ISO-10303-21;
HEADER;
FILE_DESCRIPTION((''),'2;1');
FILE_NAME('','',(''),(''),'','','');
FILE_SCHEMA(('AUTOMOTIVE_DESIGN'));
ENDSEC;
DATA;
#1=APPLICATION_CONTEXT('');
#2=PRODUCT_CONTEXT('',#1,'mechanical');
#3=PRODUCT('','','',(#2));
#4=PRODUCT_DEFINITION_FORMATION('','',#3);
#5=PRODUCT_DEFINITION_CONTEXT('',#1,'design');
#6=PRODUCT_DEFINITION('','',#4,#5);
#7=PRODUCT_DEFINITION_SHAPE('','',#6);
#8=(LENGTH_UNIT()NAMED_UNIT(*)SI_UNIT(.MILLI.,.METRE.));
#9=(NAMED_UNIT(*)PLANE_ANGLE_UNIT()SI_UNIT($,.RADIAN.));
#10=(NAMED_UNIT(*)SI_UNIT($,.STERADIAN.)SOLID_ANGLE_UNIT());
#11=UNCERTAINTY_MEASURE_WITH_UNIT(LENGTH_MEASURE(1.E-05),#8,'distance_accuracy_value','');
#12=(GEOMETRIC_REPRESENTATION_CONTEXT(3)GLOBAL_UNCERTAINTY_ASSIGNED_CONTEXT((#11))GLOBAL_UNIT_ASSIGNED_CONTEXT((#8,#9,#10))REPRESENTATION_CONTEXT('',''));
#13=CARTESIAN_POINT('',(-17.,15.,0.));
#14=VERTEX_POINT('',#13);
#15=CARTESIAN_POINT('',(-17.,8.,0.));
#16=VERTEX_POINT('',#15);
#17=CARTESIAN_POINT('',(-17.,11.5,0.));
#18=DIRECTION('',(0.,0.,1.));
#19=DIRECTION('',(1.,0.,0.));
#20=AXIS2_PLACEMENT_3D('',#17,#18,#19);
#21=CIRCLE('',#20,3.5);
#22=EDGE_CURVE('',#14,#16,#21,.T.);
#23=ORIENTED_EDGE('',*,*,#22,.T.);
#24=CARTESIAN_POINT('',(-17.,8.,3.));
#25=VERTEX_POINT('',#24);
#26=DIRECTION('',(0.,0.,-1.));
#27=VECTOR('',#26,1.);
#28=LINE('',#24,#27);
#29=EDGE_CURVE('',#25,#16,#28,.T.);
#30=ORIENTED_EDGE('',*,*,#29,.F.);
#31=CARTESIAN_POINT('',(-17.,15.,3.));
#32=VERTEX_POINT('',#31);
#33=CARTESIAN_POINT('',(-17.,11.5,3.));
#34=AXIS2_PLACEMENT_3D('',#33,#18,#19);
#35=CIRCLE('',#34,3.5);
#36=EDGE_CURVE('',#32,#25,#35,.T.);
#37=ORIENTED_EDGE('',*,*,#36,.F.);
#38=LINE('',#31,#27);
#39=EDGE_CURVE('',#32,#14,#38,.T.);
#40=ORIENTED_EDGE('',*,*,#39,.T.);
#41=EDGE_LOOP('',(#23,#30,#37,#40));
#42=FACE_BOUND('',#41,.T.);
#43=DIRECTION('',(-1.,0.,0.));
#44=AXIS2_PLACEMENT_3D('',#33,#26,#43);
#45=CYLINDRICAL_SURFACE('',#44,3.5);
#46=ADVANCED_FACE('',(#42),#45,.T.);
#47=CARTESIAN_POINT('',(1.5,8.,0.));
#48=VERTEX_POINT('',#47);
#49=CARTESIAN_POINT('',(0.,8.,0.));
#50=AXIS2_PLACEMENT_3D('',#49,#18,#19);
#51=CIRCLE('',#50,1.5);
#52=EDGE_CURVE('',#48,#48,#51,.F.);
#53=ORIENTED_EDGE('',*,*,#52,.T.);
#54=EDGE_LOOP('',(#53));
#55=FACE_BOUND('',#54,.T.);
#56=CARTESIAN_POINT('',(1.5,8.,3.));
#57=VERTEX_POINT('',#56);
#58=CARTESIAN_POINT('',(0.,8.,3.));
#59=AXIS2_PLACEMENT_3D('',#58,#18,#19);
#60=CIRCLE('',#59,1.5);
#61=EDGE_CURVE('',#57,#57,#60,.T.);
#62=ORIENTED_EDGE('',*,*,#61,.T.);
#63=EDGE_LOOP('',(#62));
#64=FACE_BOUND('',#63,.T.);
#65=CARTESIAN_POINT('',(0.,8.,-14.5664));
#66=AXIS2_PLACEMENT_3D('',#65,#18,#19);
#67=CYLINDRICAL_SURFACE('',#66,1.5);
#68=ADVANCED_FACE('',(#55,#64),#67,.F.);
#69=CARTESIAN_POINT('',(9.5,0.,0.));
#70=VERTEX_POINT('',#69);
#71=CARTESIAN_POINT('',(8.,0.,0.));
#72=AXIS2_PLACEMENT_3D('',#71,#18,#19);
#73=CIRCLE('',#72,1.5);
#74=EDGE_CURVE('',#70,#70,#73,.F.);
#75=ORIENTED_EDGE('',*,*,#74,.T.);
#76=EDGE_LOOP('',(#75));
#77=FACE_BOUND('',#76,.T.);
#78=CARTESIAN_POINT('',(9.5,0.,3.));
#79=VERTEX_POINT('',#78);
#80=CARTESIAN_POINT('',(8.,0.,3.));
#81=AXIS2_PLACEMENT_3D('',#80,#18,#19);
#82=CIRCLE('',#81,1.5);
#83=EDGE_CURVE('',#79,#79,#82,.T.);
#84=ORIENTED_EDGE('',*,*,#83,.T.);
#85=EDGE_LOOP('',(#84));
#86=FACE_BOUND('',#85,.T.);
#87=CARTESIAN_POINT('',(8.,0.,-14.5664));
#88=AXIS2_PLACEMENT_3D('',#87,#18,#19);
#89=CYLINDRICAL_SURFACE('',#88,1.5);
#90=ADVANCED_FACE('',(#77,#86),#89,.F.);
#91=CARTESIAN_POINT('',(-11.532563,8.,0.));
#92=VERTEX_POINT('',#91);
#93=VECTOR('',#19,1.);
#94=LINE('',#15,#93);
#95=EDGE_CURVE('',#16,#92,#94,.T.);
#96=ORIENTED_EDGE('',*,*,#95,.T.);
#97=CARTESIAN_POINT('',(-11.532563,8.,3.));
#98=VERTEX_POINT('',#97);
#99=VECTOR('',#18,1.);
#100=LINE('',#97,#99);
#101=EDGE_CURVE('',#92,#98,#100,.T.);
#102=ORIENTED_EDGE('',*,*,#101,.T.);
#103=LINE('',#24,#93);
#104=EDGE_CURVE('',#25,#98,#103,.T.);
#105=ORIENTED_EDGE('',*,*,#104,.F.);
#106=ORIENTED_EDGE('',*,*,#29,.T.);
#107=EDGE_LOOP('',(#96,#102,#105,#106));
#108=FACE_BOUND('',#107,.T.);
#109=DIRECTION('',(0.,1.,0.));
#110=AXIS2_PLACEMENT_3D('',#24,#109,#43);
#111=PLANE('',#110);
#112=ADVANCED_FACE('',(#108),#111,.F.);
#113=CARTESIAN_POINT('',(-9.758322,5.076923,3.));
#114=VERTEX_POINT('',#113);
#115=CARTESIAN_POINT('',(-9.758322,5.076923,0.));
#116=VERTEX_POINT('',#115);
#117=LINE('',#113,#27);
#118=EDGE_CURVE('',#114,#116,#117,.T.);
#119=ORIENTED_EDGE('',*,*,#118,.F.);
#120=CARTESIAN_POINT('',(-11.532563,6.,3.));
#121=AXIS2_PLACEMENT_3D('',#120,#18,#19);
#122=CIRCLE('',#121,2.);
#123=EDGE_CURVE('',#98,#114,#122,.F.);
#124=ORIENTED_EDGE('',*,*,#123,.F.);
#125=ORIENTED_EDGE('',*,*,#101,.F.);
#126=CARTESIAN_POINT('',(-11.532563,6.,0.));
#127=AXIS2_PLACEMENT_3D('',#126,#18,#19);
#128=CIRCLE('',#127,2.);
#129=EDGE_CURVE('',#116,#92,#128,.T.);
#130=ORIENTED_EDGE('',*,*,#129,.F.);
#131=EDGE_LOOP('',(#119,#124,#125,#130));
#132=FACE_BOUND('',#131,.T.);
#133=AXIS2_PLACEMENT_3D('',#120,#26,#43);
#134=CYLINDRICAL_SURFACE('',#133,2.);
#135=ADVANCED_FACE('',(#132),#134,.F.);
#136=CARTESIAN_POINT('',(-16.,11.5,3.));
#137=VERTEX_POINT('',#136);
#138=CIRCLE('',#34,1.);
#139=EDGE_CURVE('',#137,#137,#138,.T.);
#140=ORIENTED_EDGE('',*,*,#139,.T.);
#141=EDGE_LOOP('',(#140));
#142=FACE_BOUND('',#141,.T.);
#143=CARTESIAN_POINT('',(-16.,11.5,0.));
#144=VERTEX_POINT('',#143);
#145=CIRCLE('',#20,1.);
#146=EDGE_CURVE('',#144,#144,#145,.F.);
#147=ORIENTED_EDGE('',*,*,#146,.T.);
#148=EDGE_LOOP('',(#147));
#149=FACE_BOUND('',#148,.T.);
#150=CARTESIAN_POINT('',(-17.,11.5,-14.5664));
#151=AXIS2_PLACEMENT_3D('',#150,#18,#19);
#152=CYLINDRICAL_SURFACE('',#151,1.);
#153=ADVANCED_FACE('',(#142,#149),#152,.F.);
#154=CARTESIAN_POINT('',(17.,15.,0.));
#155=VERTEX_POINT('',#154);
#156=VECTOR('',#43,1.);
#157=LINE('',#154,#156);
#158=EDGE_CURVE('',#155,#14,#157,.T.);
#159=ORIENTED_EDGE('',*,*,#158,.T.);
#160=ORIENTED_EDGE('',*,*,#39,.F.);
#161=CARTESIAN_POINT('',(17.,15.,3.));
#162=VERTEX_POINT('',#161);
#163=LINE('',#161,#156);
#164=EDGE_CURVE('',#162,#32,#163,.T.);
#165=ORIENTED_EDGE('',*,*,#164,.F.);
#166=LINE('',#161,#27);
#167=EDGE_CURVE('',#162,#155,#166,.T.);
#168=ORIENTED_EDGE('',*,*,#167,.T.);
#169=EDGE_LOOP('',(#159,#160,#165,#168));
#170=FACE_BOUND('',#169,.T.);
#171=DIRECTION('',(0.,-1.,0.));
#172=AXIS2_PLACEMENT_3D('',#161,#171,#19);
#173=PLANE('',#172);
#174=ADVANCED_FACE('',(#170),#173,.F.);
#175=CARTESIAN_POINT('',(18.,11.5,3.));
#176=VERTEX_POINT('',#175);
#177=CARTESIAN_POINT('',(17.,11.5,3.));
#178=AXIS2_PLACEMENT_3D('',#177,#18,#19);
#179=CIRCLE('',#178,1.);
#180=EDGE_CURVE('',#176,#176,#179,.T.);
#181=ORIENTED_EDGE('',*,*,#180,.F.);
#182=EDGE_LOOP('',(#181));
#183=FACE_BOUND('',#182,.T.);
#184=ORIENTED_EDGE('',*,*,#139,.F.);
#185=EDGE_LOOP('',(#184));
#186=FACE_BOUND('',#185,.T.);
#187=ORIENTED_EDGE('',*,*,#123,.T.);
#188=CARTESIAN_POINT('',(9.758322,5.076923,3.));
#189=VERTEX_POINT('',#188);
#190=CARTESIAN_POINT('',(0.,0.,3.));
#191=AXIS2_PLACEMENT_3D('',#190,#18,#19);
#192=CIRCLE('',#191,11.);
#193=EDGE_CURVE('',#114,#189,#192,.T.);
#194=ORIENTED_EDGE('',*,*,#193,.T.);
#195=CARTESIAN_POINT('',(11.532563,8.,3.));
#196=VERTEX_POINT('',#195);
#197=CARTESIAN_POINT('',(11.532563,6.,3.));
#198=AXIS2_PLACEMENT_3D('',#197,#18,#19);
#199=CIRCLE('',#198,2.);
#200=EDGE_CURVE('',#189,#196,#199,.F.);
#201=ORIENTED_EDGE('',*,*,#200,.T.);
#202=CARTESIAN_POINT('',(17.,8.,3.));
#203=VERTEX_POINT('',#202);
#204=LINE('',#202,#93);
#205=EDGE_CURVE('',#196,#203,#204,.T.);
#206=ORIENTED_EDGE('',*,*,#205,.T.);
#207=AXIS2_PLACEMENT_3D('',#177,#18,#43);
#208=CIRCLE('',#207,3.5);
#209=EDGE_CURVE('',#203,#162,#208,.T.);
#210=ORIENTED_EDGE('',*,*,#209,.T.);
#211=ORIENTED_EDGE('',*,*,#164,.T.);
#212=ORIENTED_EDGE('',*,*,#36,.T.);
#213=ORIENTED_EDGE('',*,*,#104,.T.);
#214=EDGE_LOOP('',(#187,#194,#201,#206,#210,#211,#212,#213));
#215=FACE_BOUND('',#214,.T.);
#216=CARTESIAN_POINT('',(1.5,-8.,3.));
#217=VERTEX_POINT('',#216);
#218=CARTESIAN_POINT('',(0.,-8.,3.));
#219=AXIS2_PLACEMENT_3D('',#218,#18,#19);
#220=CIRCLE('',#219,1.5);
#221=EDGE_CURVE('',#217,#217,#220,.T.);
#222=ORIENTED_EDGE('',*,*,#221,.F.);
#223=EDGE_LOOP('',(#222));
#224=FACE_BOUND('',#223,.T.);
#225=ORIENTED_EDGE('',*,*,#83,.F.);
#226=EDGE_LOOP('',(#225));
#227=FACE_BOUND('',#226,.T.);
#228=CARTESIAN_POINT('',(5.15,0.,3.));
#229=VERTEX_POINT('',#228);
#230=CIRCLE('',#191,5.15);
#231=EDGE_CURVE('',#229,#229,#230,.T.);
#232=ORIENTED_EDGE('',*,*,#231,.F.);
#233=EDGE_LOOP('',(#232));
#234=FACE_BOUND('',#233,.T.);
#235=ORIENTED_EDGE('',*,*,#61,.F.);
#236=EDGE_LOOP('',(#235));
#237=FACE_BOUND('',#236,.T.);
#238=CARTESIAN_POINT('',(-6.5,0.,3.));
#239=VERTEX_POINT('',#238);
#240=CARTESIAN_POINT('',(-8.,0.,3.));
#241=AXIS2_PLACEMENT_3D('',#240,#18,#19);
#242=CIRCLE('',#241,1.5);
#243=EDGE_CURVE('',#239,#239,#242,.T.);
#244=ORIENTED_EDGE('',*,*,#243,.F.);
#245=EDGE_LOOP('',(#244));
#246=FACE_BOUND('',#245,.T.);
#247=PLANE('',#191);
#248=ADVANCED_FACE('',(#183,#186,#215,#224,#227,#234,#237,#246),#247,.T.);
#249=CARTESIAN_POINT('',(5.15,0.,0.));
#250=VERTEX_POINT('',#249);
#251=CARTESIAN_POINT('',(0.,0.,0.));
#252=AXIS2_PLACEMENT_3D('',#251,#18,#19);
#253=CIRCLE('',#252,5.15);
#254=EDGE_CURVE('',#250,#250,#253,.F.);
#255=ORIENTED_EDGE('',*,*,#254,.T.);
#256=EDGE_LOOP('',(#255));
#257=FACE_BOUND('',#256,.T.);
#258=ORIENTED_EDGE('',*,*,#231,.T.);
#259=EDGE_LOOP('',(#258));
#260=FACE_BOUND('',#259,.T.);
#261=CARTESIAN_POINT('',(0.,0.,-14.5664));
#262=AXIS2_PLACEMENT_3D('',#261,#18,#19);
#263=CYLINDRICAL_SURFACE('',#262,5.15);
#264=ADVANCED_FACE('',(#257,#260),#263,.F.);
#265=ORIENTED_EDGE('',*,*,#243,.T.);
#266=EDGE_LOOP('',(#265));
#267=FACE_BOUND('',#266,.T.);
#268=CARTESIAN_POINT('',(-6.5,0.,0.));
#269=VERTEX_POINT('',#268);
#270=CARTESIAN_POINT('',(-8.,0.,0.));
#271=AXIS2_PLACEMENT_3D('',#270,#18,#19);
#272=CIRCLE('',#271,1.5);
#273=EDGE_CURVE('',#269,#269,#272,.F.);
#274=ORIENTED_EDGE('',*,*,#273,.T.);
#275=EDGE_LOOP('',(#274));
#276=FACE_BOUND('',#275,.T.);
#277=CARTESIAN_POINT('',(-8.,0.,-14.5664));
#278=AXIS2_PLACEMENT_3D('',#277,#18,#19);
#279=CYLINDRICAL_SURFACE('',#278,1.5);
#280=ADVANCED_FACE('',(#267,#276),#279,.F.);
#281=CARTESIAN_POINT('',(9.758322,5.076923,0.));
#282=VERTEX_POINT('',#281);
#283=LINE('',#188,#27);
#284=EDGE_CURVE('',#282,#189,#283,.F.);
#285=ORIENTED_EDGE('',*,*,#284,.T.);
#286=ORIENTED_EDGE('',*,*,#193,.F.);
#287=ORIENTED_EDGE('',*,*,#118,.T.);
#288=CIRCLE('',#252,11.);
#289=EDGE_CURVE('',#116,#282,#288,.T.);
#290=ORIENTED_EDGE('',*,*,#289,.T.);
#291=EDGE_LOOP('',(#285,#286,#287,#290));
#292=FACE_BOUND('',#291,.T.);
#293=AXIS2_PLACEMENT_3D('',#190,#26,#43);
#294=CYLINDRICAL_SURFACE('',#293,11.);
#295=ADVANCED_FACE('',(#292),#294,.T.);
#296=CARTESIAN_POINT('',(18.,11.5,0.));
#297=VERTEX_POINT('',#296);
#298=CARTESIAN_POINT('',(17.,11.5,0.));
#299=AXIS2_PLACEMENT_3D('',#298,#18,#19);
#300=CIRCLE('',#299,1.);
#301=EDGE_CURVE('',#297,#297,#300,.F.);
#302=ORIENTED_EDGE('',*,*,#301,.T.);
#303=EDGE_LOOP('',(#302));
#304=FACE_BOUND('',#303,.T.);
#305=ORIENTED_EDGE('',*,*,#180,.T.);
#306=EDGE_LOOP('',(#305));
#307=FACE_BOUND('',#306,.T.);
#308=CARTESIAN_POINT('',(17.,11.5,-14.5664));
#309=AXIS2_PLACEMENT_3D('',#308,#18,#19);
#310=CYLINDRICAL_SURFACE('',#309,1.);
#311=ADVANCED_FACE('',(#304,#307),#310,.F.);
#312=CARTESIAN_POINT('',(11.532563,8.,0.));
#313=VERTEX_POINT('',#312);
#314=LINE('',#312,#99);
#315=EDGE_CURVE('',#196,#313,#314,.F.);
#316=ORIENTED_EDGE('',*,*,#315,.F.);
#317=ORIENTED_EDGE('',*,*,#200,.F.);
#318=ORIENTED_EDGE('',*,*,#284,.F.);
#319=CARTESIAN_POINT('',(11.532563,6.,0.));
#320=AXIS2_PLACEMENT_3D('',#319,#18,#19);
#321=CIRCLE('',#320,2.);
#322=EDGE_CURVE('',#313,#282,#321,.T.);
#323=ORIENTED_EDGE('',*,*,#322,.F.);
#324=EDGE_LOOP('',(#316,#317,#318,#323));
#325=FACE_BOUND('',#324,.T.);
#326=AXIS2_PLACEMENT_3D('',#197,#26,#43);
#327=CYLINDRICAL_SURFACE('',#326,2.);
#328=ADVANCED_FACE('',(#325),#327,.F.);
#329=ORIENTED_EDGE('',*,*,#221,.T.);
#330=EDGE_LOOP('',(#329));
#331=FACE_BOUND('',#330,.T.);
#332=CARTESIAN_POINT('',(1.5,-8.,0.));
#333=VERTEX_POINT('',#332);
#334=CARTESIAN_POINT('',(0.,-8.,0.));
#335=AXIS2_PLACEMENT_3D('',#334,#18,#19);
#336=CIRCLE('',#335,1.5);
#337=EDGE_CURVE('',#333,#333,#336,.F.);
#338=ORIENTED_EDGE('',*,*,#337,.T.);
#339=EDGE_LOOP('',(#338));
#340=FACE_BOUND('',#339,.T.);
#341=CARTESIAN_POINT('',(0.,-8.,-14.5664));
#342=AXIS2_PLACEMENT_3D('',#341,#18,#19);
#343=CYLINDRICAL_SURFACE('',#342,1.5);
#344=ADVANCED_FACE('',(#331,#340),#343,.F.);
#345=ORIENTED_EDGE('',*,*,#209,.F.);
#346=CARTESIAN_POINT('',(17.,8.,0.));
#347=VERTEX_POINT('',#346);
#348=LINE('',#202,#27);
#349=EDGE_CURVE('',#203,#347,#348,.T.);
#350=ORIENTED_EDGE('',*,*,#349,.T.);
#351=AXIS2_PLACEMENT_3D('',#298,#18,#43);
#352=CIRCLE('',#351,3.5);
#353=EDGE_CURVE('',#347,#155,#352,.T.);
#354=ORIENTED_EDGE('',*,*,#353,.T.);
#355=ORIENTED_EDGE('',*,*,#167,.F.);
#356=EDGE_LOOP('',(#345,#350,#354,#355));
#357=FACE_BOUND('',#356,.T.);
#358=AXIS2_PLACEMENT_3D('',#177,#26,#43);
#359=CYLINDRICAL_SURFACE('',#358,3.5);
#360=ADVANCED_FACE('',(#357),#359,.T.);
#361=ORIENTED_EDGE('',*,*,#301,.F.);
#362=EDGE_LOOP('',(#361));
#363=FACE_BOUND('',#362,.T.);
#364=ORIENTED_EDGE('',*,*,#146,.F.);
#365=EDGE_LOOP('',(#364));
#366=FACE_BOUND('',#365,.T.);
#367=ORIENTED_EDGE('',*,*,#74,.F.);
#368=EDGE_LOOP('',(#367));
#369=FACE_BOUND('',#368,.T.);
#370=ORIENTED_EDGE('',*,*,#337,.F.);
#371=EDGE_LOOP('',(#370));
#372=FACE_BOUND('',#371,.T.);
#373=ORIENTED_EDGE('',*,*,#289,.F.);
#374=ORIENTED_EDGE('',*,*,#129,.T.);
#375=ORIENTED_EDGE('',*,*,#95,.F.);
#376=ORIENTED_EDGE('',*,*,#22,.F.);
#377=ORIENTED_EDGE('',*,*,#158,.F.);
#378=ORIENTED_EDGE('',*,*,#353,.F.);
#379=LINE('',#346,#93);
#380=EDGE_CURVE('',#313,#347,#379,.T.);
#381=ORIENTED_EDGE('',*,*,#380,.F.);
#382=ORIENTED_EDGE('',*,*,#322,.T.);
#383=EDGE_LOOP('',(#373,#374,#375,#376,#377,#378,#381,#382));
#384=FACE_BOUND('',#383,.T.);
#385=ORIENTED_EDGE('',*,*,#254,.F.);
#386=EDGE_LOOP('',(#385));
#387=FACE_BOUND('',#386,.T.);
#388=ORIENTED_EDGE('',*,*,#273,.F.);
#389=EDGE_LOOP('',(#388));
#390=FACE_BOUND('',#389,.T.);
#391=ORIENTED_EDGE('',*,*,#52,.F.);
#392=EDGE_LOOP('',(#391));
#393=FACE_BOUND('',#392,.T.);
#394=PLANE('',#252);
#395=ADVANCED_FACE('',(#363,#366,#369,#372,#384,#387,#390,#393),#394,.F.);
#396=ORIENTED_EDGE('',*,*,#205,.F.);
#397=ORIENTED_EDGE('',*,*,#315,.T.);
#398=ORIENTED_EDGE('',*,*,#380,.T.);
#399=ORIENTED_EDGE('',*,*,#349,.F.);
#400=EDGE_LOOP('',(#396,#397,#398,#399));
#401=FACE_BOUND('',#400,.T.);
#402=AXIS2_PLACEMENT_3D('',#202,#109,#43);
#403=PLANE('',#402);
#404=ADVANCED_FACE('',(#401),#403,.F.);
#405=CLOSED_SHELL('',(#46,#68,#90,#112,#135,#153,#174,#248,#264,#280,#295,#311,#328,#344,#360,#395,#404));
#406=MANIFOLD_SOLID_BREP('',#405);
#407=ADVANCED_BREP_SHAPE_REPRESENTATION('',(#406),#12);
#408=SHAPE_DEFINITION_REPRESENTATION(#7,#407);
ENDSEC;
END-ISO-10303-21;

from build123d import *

# Parameters (mm, degrees)
EXTRUDE_1_DEPTH     = 3
SKETCH_2_R          = 5.15
SKETCH_2_R_2        = 1.5
SKETCH_2_R_3        = 1
CUT_EXTRUDE_1_DEPTH = 3
FILLET_1_R          = 2


with BuildPart() as part:
    # 草图1 → 凸台-拉伸1 (new body)
    with BuildSketch(Plane.XY):
        with BuildLine():
            Line((-17, 8), (-7.549834435, 8))
            ThreePointArc((-7.549834435, 8), (0, -11), (7.549834435, 8))
            Line((7.549834435, 8), (17, 8))
            ThreePointArc((17, 8), (20.5, 11.5), (17, 15))
            Line((17, 15), (-17, 15))
            ThreePointArc((-17, 15), (-20.5, 11.5), (-17, 8))
        make_face()
    extrude(amount=EXTRUDE_1_DEPTH)

    # 草图2 → 切除-拉伸1 (cut)
    with BuildSketch(Plane.XY.offset(3)):
        Circle(SKETCH_2_R)
        with Locations((8, 0)):
            Circle(SKETCH_2_R_2)
        with Locations((0, -8)):
            Circle(SKETCH_2_R_2)
        with Locations((-8, 0)):
            Circle(SKETCH_2_R_2)
        with Locations((0, 8)):
            Circle(SKETCH_2_R_2)
        with Locations((-17, 11.5)):
            Circle(SKETCH_2_R_3)
        with Locations((17, 11.5)):
            Circle(SKETCH_2_R_3)
    extrude(amount=-CUT_EXTRUDE_1_DEPTH, mode=Mode.SUBTRACT)

    # 圆角1
    fillet_1_edges = [part.edges().sort_by_distance(p)[0] for p in [
        (-7.549834435, 8, 1.5),
        (7.549834435, 8, 1.5),
    ]]
    fillet(fillet_1_edges, radius=FILLET_1_R)


solid = part.part
